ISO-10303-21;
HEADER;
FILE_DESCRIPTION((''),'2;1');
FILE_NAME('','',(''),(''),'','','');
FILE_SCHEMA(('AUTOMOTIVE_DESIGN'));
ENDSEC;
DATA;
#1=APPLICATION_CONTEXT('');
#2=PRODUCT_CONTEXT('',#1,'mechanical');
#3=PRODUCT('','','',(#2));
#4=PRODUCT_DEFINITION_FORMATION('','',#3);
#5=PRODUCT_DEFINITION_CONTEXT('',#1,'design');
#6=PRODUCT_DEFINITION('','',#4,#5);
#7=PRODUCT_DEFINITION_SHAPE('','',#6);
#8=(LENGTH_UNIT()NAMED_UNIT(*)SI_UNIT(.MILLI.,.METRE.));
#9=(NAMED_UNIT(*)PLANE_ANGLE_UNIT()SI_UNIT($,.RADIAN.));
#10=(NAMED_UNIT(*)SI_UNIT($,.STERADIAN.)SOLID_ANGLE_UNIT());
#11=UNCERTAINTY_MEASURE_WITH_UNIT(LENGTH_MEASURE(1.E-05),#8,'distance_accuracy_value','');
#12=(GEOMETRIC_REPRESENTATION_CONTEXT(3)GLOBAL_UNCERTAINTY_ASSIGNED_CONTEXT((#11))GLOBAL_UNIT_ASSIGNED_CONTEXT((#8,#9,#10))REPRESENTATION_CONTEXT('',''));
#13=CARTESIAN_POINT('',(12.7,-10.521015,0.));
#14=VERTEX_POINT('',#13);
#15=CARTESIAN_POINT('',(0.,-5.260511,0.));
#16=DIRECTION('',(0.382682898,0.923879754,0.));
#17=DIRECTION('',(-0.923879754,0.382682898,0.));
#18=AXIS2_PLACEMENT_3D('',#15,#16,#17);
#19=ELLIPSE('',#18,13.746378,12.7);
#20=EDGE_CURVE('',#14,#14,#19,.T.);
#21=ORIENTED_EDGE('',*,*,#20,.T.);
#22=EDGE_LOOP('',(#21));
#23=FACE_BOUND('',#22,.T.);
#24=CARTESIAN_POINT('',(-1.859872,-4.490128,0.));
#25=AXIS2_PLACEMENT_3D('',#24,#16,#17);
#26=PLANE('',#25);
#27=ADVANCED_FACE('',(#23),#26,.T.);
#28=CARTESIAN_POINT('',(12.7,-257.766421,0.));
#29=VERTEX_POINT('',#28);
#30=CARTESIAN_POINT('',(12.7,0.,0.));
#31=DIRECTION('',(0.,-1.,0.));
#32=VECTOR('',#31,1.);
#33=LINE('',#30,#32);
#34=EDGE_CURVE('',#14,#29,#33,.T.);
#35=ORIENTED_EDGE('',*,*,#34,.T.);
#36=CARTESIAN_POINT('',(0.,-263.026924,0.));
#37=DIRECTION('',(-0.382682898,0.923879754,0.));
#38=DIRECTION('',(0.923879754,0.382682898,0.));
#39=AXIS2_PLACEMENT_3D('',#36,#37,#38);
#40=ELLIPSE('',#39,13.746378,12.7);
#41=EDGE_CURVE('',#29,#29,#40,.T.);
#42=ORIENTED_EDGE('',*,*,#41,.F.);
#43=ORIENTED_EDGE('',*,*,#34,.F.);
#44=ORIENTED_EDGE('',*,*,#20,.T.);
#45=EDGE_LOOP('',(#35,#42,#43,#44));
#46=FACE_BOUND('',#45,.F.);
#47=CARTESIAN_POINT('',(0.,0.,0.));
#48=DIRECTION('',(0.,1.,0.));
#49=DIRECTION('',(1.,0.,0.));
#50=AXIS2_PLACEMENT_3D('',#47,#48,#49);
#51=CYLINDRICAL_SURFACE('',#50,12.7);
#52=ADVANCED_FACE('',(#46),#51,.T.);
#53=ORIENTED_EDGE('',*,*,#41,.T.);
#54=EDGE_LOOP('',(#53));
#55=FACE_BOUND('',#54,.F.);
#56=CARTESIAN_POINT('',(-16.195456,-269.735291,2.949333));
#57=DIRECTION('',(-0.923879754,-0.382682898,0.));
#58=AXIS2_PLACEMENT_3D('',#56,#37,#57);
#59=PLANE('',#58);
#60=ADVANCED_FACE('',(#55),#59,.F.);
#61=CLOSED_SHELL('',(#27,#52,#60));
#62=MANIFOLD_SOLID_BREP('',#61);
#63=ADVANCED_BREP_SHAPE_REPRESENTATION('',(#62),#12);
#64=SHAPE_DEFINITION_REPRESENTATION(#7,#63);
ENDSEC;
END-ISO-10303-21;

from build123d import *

# Parameters (mm, degrees)
F1_R      = 12.7
F2_DEPTH  = 268.2875
F6_W      = 114.097729
F6_H      = 88.5094
F7_DEPTH  = 25.4
F11_W     = 145.65833
F11_H     = 82.475946
F12_DEPTH = 25.4


with BuildPart() as f2:
    # F1 (on face) → F2 (new body)
    with BuildSketch(Plane.XZ):
        Circle(F1_R)
    extrude(amount=F2_DEPTH)

    # F6 (on face) → F7 (cut)
    with BuildSketch(Plane(origin=(92.994083, -224.507577, 0), x_dir=(-0.92388, -0.382683, 0), z_dir=(-0.382683, 0.92388, 0))):
        with Locations((118.185877, 2.949333)):
            Rectangle(F6_W, F6_H)
    extrude(amount=-F7_DEPTH, mode=Mode.SUBTRACT)

    # F11 (on face) → F12 (cut)
    with BuildSketch(Plane(origin=(-1.859872, -4.490128, 0), x_dir=(-0.92388, 0.382683, 0), z_dir=(0.382683, 0.92388, 0))):
        Rectangle(F11_W, F11_H)
    extrude(amount=F12_DEPTH, mode=Mode.SUBTRACT)


solid = f2.part
